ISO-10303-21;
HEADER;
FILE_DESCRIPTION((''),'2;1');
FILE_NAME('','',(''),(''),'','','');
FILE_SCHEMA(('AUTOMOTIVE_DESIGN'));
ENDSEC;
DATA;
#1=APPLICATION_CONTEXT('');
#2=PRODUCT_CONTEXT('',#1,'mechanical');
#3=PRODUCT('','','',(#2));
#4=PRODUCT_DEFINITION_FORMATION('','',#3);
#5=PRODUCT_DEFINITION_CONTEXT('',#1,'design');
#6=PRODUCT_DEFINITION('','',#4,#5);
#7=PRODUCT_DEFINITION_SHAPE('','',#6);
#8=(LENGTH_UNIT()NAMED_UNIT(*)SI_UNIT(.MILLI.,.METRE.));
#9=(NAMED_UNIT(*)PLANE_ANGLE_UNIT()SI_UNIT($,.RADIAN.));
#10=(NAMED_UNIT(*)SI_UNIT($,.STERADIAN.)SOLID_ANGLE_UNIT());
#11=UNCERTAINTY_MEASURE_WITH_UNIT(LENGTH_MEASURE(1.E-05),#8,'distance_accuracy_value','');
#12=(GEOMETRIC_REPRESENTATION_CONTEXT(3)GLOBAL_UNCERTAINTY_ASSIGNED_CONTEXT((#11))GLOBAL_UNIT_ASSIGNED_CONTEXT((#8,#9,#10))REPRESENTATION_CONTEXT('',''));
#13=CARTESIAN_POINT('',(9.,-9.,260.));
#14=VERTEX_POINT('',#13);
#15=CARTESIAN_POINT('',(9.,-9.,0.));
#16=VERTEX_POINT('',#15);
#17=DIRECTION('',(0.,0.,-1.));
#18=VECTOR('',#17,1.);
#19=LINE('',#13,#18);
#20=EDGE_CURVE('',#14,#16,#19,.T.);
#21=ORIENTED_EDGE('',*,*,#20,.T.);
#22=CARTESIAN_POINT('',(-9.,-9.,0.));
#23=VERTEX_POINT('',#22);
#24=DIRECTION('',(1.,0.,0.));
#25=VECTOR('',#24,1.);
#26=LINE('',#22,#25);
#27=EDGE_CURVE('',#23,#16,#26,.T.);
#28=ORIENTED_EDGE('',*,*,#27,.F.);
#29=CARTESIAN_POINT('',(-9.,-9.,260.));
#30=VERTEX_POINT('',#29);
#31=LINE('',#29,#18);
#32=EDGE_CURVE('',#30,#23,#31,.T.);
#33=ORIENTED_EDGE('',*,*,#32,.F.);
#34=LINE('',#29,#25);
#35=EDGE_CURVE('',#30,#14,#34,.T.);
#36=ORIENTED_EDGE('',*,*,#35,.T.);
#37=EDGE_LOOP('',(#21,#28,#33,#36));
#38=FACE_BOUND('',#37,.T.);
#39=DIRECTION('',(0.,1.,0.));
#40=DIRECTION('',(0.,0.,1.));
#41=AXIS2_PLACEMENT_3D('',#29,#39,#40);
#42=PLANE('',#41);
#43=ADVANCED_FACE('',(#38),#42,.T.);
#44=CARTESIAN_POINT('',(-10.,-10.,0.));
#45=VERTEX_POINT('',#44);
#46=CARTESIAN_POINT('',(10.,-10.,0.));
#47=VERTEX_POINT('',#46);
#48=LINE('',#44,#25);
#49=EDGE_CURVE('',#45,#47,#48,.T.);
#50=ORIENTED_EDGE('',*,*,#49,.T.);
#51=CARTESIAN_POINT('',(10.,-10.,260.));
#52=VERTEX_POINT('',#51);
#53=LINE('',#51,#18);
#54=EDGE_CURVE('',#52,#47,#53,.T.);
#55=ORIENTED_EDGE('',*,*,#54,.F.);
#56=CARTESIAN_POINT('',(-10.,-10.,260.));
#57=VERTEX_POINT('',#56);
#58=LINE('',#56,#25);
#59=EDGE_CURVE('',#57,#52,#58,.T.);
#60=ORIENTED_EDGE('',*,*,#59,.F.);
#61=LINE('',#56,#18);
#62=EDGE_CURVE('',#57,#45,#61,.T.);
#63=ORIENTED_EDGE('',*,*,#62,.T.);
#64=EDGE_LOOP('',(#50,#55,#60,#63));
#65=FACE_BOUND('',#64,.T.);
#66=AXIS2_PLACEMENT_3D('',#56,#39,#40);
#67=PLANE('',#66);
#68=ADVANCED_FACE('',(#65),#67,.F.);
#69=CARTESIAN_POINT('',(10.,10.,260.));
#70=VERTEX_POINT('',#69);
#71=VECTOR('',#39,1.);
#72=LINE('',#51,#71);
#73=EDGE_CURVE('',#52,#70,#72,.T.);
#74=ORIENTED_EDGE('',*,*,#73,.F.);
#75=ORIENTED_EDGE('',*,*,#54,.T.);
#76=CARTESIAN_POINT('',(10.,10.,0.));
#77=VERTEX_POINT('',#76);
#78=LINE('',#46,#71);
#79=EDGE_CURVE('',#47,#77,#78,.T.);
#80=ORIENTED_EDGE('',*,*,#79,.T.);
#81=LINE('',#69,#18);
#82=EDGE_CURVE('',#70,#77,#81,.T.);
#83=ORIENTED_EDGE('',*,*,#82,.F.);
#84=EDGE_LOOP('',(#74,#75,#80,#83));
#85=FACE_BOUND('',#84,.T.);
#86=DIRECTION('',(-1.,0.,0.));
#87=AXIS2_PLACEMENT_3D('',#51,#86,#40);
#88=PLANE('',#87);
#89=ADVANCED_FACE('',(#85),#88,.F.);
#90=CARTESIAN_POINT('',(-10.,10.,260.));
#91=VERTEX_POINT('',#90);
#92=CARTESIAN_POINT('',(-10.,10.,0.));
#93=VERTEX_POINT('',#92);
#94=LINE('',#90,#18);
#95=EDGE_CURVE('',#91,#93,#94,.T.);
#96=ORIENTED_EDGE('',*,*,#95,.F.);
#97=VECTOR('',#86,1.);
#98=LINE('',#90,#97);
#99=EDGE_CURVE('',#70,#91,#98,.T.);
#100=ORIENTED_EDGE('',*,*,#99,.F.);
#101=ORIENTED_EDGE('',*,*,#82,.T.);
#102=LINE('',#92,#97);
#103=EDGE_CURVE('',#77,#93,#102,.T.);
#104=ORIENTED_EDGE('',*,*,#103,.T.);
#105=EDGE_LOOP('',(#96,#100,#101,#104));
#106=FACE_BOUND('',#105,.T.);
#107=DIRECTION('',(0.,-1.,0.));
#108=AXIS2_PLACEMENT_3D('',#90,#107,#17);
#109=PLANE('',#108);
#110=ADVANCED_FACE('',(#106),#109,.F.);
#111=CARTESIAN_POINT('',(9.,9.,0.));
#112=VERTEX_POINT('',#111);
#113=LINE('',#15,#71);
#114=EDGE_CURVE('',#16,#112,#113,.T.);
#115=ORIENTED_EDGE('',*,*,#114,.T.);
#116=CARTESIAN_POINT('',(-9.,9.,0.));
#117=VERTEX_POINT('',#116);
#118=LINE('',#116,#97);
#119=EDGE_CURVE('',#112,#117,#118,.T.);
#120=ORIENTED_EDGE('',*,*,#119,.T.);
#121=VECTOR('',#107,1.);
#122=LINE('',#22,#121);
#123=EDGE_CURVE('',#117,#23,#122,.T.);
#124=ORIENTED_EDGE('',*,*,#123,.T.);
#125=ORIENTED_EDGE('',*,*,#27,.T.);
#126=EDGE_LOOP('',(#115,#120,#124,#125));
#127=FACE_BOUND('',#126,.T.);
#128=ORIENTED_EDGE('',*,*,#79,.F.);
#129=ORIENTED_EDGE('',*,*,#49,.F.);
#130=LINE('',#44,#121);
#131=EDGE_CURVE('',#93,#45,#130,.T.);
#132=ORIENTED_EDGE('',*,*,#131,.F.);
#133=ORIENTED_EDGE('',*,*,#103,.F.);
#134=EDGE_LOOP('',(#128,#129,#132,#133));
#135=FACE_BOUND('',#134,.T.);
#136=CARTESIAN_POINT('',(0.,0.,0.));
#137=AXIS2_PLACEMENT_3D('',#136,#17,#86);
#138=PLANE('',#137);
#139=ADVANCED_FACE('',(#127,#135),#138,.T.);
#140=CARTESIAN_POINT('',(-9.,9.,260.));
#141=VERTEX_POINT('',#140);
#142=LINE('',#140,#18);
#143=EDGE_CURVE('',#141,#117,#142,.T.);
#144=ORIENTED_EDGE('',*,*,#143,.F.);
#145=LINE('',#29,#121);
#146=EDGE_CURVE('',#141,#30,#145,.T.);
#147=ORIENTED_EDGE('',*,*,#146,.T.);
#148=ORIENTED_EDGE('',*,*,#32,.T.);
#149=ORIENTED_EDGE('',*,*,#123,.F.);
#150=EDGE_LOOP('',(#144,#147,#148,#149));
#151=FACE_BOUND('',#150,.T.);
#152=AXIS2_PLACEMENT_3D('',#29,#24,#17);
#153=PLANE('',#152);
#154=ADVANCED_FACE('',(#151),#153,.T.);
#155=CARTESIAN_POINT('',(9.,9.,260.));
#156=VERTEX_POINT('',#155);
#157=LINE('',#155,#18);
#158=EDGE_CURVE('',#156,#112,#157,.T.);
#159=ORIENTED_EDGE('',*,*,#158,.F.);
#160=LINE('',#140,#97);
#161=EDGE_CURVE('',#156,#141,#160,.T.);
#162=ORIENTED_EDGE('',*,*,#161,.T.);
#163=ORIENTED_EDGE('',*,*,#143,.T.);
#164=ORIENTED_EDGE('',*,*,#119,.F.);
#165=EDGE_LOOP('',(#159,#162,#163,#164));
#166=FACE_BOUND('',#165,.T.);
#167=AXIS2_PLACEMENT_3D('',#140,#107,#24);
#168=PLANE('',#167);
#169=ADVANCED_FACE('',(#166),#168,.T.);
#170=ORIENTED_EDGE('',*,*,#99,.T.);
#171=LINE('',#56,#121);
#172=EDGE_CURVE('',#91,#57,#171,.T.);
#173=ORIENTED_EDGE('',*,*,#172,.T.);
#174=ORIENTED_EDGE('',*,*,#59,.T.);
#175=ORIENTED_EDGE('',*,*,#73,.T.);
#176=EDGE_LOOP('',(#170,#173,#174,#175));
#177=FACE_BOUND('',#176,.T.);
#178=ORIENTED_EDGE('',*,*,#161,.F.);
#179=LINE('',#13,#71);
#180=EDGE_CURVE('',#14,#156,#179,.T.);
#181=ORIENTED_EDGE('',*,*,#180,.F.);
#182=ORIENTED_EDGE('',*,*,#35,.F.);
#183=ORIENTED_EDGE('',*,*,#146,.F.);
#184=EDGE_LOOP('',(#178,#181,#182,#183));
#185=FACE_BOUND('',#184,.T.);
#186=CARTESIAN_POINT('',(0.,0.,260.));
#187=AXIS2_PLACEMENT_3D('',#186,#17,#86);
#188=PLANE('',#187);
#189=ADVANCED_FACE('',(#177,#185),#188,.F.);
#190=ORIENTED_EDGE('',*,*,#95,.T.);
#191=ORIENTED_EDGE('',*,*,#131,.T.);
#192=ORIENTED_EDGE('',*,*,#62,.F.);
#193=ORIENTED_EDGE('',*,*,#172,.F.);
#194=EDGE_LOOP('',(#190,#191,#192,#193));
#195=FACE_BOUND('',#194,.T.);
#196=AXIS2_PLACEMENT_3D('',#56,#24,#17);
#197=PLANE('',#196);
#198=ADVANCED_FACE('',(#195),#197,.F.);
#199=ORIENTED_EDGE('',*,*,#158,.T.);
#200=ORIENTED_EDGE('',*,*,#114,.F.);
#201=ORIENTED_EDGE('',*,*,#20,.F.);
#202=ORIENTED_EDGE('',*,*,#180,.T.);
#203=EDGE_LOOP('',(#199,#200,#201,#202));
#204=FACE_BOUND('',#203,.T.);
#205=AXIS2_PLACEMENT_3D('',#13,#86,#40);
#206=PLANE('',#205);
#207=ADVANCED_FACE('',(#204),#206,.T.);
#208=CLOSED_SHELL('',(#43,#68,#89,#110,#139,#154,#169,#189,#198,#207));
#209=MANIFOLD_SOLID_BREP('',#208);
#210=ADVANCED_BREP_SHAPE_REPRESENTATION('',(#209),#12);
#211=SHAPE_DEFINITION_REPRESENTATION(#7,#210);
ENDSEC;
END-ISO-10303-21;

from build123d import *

# Parameters (mm, degrees)
SKETCH_1_W      = 20
SKETCH_1_H      = 20
SKETCH_1_W_2    = 18
SKETCH_1_H_2    = 18
EXTRUDE_1_DEPTH = 260


with BuildPart() as part:
    # 草图1 → 凸台-拉伸1 (new body)
    with BuildSketch(Plane.XY):
        Rectangle(SKETCH_1_W, SKETCH_1_H)
        Rectangle(SKETCH_1_W_2, SKETCH_1_H_2, mode=Mode.SUBTRACT)
    extrude(amount=EXTRUDE_1_DEPTH)


solid = part.part
